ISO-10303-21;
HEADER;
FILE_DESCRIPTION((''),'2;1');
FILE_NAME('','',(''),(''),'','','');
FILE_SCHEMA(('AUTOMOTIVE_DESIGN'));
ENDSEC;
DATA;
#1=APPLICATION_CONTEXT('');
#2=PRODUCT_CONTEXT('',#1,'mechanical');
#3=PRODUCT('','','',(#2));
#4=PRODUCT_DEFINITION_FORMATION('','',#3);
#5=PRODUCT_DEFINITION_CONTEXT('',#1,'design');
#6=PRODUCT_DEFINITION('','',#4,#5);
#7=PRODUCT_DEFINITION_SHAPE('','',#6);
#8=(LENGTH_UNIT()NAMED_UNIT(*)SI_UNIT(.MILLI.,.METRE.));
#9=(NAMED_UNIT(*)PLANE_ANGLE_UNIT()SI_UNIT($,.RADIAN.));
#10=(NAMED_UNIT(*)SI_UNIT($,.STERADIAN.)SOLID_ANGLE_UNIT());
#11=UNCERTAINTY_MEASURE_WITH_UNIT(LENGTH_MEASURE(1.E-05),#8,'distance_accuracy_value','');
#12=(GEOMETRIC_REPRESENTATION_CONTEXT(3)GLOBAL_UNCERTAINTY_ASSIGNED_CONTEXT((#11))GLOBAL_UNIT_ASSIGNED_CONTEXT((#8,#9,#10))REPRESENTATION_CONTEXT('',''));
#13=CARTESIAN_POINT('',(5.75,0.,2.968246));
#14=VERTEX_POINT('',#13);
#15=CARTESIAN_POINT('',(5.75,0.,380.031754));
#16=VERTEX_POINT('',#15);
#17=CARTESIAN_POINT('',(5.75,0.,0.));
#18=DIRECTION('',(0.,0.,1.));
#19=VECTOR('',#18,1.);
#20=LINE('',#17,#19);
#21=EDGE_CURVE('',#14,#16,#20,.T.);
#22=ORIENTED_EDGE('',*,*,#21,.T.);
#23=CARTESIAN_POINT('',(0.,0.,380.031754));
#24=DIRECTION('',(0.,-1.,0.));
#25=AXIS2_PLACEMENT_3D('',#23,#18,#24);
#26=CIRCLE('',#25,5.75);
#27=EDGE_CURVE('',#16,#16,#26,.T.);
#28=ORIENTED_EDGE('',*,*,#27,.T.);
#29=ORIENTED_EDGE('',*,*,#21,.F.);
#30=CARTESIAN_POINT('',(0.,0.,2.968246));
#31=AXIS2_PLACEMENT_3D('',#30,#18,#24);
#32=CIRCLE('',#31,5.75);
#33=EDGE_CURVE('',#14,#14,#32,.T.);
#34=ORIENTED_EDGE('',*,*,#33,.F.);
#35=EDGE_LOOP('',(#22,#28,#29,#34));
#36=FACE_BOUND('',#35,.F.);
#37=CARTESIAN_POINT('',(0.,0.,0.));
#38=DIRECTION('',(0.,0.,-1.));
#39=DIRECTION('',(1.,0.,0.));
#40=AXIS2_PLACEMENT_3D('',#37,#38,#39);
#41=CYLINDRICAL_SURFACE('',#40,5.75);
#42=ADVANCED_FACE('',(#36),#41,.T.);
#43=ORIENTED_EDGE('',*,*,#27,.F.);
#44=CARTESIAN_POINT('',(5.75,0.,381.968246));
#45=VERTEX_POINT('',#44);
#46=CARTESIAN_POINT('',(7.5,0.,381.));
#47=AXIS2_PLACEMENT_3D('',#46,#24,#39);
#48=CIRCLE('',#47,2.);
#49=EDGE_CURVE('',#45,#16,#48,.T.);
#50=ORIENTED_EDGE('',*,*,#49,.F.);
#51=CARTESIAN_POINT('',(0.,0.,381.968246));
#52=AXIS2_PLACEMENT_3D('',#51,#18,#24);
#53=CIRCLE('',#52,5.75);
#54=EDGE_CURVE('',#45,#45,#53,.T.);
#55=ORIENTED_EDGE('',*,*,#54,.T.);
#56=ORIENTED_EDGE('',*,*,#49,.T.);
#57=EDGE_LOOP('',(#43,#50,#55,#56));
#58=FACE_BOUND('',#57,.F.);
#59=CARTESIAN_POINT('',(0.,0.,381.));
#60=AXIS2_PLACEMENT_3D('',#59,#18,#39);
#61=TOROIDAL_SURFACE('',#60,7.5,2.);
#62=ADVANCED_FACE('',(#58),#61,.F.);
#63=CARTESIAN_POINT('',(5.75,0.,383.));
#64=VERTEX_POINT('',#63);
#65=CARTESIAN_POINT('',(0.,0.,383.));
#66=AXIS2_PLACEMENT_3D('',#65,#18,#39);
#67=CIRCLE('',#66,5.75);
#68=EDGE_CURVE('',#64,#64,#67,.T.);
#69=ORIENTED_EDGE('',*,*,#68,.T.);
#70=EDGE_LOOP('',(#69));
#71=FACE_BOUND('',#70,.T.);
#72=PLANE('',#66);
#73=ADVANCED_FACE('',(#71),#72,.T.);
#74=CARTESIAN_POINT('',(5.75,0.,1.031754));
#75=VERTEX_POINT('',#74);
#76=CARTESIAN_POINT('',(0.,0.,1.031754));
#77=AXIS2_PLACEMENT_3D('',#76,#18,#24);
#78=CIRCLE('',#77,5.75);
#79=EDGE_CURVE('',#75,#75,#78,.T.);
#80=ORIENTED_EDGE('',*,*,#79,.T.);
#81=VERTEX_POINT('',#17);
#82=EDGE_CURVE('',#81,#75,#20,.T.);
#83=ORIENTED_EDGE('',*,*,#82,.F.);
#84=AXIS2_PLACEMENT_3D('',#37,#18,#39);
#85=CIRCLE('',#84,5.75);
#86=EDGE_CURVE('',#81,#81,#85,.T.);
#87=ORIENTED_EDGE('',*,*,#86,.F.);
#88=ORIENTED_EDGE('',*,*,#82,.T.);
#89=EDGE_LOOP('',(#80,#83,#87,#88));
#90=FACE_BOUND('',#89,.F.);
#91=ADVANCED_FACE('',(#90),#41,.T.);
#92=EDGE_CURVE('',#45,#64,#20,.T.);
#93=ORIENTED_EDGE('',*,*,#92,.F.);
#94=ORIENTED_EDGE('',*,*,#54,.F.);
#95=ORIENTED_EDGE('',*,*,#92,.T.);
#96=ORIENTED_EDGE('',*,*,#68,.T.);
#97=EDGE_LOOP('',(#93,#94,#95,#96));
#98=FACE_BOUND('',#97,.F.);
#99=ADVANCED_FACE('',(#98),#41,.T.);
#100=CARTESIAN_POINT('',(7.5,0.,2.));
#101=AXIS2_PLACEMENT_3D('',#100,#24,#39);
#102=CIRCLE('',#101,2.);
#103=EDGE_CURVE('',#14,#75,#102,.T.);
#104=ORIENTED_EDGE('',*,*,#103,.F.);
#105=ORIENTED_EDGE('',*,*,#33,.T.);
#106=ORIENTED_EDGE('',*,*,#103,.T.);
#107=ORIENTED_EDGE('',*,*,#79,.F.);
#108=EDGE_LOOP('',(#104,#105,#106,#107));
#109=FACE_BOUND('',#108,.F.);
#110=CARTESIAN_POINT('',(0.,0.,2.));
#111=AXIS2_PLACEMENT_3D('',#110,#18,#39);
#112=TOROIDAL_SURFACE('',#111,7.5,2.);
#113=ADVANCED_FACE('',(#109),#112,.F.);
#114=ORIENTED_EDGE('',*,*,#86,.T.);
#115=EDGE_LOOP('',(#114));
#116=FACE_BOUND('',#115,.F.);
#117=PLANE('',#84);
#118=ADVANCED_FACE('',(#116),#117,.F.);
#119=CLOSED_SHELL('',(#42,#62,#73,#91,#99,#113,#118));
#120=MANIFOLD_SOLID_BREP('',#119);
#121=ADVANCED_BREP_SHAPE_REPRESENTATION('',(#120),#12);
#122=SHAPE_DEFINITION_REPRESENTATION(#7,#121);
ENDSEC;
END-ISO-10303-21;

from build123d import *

# Parameters (mm, degrees)
TORUS001_R     = 2
TORUS_R        = 2
CYLINDER_R     = 5.75
CYLINDER_DEPTH = 383


with BuildPart() as torus001:
    # Torus001 → Torus001 (revolve)
    with BuildSketch(Plane(origin=(0, 0, 381), x_dir=(1, 0, 0), z_dir=(0, -1, 0))):
        with Locations((7.5, 0)):
            Circle(TORUS001_R)
    revolve(axis=Axis((0, 0, 381), (0, 0, 1)))


with BuildPart() as torus:
    # Torus → Torus (revolve)
    with BuildSketch(Plane(origin=(0, 0, 2), x_dir=(1, 0, 0), z_dir=(0, -1, 0))):
        with Locations((7.5, 0)):
            Circle(TORUS_R)
    revolve(axis=Axis((0, 0, 2), (0, 0, 1)))


with BuildPart() as cut001:
    # Cylinder → Cylinder (new body)
    with BuildSketch(Plane.XY):
        Circle(CYLINDER_R)
    extrude(amount=CYLINDER_DEPTH)

    # Cut: cut Torus
    add(torus.part, mode=Mode.SUBTRACT)

    # Cut001: cut Torus001
    add(torus001.part, mode=Mode.SUBTRACT)


solid = cut001.part
